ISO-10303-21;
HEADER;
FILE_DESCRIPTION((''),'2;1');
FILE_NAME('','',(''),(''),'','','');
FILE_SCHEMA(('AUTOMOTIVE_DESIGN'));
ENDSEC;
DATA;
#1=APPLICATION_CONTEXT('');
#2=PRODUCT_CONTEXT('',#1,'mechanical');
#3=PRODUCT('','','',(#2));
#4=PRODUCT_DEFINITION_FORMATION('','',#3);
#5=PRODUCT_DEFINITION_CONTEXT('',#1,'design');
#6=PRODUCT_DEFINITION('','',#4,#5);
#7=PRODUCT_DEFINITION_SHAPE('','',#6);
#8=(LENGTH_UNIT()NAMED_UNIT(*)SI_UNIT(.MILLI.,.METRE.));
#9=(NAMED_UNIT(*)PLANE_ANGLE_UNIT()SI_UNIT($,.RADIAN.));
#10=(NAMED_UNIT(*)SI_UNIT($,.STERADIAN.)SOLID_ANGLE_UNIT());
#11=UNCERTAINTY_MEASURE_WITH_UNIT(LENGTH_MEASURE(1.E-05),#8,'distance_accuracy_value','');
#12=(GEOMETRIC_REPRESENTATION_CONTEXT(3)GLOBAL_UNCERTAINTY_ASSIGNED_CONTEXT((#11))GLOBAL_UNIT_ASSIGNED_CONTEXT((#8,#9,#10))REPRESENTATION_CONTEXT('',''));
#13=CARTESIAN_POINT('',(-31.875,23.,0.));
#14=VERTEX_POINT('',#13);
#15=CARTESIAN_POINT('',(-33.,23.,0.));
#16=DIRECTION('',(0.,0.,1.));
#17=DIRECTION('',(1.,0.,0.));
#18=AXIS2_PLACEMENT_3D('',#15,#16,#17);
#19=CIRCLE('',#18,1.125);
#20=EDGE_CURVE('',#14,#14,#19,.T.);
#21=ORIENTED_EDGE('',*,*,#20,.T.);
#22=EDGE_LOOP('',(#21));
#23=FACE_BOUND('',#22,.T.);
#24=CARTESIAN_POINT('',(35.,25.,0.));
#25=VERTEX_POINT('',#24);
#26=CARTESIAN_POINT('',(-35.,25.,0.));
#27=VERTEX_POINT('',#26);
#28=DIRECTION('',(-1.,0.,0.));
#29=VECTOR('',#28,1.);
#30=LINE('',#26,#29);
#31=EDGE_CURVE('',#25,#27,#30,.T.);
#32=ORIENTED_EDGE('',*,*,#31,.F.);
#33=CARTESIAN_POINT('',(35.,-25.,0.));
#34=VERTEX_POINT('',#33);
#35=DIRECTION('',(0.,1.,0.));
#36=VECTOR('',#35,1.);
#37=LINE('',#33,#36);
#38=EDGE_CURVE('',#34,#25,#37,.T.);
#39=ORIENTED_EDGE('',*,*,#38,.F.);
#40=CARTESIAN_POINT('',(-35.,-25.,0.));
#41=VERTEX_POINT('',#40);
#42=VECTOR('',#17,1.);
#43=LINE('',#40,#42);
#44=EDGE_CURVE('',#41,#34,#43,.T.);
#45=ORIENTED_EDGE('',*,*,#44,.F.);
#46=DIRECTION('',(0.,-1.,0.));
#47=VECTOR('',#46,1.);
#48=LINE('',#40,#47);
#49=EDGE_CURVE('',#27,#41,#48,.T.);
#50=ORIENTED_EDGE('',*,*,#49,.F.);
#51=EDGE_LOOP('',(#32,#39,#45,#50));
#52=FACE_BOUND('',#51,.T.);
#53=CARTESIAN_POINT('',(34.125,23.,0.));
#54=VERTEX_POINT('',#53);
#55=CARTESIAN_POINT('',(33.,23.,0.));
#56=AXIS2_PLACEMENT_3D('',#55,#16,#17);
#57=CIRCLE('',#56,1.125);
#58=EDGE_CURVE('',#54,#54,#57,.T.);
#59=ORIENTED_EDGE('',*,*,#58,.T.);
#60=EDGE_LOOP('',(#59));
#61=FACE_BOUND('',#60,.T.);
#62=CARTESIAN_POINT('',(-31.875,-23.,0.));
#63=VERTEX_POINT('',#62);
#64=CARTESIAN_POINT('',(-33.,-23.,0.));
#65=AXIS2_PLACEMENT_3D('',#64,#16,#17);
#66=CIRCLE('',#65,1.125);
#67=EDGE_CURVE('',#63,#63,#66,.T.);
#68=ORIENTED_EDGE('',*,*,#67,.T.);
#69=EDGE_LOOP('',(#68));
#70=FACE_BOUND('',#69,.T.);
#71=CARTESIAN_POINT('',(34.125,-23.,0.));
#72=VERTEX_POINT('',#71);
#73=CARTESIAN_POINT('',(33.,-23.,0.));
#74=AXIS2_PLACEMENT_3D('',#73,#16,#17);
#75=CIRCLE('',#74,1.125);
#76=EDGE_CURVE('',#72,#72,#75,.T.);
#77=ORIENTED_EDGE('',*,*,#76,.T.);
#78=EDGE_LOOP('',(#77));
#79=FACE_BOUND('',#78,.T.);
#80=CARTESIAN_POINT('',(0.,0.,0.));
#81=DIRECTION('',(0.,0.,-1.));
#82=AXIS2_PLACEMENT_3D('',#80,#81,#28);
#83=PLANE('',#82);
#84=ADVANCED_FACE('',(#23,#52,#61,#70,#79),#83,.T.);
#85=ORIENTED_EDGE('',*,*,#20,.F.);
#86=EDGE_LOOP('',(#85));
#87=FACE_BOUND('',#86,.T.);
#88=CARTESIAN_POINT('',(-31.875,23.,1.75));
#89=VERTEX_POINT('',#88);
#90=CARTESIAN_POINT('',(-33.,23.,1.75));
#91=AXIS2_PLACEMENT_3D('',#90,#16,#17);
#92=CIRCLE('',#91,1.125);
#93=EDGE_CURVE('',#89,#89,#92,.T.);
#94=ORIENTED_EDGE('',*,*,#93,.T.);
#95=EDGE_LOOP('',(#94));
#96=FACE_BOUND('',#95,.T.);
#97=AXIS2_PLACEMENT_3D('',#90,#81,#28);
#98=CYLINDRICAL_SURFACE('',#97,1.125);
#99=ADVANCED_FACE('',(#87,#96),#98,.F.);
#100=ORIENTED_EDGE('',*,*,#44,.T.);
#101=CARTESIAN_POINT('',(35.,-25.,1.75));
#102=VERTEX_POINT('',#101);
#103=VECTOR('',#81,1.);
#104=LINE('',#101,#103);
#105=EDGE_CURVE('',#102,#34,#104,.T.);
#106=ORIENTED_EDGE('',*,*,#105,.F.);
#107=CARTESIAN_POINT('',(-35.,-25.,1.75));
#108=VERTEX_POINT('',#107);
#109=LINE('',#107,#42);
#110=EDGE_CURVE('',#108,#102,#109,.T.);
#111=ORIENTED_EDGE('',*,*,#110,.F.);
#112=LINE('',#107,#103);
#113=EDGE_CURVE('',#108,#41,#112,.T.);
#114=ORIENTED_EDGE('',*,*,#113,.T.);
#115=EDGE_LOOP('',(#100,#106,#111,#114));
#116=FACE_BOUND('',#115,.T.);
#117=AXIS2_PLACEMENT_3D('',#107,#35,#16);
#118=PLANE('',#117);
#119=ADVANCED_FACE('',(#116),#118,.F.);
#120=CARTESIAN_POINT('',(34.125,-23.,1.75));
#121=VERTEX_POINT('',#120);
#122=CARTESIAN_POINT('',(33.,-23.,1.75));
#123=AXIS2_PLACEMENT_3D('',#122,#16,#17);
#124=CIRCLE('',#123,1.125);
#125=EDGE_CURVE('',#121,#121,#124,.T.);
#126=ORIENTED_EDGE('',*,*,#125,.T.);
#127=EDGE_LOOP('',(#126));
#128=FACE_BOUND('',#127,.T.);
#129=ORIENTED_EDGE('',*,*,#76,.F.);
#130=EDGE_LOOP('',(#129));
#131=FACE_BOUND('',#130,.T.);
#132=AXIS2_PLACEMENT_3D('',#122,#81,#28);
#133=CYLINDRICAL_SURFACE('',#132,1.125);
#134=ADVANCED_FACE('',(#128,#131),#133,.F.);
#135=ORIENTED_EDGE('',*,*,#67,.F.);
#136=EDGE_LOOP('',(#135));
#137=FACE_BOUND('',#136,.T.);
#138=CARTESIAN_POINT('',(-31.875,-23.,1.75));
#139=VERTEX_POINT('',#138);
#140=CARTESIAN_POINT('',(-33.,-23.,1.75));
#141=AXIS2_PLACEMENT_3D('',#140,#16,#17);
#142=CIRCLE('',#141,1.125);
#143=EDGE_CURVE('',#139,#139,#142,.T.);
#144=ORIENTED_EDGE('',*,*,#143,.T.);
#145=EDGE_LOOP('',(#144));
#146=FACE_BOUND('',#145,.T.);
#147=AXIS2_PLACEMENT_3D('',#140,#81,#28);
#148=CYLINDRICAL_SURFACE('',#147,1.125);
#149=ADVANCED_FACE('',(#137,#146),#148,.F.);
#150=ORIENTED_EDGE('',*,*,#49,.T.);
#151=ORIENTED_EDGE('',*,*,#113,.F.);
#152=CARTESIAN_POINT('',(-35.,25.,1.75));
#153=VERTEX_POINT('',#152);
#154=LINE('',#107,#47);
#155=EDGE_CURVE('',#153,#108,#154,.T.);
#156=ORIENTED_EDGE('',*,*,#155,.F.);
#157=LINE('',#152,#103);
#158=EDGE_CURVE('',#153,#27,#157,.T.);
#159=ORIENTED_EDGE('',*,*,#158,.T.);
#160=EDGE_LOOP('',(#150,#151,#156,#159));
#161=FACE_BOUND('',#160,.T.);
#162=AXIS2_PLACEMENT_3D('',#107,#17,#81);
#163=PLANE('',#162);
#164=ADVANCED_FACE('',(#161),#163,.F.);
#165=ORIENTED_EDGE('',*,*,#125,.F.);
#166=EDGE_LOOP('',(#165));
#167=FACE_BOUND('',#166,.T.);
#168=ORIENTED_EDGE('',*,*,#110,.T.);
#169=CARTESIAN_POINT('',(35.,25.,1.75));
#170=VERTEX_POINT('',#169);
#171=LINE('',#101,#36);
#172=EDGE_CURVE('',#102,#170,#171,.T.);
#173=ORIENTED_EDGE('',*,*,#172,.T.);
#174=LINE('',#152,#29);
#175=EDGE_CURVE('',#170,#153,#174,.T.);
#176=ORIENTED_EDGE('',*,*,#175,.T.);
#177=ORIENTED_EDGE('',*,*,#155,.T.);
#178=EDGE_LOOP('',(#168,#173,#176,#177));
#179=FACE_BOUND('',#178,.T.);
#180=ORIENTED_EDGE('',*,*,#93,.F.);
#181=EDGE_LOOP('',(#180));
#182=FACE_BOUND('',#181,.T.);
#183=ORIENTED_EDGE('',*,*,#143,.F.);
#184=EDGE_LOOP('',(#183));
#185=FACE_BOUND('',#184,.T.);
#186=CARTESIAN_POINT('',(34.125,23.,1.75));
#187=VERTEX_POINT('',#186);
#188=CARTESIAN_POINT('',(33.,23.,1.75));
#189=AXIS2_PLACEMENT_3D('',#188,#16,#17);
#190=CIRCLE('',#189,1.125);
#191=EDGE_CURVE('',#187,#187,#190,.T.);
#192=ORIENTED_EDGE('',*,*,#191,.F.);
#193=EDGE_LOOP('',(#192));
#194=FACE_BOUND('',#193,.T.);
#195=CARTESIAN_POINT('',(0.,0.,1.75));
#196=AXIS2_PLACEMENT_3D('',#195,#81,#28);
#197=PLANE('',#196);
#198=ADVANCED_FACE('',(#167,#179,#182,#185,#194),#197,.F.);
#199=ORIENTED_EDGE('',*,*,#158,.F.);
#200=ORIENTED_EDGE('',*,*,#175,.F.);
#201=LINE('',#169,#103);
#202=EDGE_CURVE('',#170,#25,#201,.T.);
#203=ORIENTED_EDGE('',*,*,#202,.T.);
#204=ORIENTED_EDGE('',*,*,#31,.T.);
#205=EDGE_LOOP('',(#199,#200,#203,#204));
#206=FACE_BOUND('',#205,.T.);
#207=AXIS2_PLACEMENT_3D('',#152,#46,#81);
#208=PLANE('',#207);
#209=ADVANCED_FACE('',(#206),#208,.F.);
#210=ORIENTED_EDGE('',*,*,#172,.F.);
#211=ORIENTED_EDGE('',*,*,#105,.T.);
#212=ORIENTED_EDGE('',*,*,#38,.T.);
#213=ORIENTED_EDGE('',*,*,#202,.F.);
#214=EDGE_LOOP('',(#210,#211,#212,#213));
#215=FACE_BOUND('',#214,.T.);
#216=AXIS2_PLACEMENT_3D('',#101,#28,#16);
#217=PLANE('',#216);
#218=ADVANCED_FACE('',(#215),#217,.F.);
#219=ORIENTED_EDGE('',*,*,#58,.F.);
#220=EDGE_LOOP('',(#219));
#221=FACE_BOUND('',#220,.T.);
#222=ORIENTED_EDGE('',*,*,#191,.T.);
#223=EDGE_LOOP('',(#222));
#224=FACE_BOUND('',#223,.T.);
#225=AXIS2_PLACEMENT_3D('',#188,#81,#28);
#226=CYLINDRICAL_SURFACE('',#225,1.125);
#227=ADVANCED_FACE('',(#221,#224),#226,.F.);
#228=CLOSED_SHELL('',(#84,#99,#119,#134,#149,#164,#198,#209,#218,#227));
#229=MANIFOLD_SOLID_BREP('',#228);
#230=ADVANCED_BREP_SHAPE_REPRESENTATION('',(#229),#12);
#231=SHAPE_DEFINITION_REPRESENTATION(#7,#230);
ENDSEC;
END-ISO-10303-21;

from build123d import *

# Parameters (mm, degrees)
SKETCH1_W           = 70
SKETCH1_H           = 50
SKETCH1_R           = 1.125
BOSS_EXTRUDE1_DEPTH = 1.75


with BuildPart() as part:
    # Sketch1 → Boss-Extrude1 (new body)
    with BuildSketch(Plane.XY):
        Rectangle(SKETCH1_W, SKETCH1_H)
        with Locations((-33, 23)):
            Circle(SKETCH1_R, mode=Mode.SUBTRACT)
        with Locations((33, 23)):
            Circle(SKETCH1_R, mode=Mode.SUBTRACT)
        with Locations((33, -23)):
            Circle(SKETCH1_R, mode=Mode.SUBTRACT)
        with Locations((-33, -23)):
            Circle(SKETCH1_R, mode=Mode.SUBTRACT)
    extrude(amount=BOSS_EXTRUDE1_DEPTH)


solid = part.part
